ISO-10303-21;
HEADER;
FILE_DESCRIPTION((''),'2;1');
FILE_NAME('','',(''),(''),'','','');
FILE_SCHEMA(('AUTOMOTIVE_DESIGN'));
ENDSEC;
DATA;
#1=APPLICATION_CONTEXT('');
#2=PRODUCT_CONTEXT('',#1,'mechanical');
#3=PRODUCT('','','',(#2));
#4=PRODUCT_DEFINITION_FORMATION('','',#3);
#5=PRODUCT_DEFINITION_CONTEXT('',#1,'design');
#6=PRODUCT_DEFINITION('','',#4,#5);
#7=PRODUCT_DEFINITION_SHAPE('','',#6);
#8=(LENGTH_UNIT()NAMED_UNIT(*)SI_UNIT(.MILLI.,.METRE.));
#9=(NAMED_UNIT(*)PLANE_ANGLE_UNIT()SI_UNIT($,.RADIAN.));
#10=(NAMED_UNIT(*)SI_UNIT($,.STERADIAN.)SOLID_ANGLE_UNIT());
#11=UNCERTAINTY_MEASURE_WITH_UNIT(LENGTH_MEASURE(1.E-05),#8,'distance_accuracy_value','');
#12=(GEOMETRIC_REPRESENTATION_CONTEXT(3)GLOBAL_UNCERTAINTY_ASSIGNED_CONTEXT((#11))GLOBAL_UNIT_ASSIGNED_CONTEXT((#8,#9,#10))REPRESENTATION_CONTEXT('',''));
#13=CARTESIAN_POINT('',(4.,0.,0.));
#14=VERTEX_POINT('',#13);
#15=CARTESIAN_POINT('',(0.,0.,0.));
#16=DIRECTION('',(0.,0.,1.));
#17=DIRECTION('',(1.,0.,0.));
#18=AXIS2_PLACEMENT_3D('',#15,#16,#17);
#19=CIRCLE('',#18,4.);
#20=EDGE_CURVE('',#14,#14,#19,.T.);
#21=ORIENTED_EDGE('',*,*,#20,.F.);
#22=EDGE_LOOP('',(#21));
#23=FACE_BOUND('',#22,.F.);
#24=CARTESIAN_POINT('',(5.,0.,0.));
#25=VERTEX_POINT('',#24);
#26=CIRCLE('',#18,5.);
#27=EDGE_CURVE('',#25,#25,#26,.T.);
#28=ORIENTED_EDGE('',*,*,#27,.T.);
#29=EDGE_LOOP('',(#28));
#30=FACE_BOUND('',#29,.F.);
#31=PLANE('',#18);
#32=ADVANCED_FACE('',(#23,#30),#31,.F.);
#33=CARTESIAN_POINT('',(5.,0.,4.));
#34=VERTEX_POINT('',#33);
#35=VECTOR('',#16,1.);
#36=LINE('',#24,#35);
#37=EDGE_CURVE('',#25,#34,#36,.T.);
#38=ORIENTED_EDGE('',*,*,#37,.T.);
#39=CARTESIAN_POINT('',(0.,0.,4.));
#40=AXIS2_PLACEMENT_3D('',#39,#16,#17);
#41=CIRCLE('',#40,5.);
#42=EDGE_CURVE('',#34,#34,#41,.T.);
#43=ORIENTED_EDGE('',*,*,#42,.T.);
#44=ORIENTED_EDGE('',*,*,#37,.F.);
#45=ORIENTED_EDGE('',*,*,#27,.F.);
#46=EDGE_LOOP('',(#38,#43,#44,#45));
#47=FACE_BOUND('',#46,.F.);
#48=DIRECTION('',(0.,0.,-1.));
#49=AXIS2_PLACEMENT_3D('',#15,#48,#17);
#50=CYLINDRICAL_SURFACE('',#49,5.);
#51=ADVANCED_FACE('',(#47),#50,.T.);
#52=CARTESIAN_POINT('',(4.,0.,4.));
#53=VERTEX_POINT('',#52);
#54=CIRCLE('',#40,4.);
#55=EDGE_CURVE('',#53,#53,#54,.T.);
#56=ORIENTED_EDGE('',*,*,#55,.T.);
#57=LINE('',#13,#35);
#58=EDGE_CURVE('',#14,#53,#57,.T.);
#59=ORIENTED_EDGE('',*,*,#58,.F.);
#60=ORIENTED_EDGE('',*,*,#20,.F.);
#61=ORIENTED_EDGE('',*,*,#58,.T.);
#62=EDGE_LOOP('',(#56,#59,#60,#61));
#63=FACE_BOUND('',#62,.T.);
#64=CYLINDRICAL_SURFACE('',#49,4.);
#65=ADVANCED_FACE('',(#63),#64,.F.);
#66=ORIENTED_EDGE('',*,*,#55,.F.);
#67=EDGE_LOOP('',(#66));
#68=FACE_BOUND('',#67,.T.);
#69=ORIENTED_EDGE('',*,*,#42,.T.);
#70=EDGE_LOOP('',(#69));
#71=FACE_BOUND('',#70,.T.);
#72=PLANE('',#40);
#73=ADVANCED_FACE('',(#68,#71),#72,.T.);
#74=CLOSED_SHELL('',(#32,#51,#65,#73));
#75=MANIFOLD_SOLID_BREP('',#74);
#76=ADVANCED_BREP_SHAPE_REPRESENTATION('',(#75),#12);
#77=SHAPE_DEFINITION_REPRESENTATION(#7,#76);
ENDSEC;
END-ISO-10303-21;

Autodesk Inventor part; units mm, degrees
ref_plane "YZ Plane" through (0, 0, 0) normal (1, 0, 0) x (0, 1, 0)
ref_plane "XZ Plane" through (0, 0, 0) normal (0, 1, 0) x (-1, 0, 0)
ref_plane "XY Plane" through (0, 0, 0) normal (0, 0, 1) x (1, 0, 0)
sketch "スケッチ1" plane through (0, 0, 0) normal (0, 0, 1) x (1, 0, 0)
  circle A0 centre (0, 0) radius 4
  circle A1 centre (0, 0) radius 5
  dimension "d0" = 8
  dimension "d1" = 10
extrude "押し出し1" add sketch "スケッチ1" along normal blind 4
properties part number "オイレス081004" material "アセタール樹脂、黒"
